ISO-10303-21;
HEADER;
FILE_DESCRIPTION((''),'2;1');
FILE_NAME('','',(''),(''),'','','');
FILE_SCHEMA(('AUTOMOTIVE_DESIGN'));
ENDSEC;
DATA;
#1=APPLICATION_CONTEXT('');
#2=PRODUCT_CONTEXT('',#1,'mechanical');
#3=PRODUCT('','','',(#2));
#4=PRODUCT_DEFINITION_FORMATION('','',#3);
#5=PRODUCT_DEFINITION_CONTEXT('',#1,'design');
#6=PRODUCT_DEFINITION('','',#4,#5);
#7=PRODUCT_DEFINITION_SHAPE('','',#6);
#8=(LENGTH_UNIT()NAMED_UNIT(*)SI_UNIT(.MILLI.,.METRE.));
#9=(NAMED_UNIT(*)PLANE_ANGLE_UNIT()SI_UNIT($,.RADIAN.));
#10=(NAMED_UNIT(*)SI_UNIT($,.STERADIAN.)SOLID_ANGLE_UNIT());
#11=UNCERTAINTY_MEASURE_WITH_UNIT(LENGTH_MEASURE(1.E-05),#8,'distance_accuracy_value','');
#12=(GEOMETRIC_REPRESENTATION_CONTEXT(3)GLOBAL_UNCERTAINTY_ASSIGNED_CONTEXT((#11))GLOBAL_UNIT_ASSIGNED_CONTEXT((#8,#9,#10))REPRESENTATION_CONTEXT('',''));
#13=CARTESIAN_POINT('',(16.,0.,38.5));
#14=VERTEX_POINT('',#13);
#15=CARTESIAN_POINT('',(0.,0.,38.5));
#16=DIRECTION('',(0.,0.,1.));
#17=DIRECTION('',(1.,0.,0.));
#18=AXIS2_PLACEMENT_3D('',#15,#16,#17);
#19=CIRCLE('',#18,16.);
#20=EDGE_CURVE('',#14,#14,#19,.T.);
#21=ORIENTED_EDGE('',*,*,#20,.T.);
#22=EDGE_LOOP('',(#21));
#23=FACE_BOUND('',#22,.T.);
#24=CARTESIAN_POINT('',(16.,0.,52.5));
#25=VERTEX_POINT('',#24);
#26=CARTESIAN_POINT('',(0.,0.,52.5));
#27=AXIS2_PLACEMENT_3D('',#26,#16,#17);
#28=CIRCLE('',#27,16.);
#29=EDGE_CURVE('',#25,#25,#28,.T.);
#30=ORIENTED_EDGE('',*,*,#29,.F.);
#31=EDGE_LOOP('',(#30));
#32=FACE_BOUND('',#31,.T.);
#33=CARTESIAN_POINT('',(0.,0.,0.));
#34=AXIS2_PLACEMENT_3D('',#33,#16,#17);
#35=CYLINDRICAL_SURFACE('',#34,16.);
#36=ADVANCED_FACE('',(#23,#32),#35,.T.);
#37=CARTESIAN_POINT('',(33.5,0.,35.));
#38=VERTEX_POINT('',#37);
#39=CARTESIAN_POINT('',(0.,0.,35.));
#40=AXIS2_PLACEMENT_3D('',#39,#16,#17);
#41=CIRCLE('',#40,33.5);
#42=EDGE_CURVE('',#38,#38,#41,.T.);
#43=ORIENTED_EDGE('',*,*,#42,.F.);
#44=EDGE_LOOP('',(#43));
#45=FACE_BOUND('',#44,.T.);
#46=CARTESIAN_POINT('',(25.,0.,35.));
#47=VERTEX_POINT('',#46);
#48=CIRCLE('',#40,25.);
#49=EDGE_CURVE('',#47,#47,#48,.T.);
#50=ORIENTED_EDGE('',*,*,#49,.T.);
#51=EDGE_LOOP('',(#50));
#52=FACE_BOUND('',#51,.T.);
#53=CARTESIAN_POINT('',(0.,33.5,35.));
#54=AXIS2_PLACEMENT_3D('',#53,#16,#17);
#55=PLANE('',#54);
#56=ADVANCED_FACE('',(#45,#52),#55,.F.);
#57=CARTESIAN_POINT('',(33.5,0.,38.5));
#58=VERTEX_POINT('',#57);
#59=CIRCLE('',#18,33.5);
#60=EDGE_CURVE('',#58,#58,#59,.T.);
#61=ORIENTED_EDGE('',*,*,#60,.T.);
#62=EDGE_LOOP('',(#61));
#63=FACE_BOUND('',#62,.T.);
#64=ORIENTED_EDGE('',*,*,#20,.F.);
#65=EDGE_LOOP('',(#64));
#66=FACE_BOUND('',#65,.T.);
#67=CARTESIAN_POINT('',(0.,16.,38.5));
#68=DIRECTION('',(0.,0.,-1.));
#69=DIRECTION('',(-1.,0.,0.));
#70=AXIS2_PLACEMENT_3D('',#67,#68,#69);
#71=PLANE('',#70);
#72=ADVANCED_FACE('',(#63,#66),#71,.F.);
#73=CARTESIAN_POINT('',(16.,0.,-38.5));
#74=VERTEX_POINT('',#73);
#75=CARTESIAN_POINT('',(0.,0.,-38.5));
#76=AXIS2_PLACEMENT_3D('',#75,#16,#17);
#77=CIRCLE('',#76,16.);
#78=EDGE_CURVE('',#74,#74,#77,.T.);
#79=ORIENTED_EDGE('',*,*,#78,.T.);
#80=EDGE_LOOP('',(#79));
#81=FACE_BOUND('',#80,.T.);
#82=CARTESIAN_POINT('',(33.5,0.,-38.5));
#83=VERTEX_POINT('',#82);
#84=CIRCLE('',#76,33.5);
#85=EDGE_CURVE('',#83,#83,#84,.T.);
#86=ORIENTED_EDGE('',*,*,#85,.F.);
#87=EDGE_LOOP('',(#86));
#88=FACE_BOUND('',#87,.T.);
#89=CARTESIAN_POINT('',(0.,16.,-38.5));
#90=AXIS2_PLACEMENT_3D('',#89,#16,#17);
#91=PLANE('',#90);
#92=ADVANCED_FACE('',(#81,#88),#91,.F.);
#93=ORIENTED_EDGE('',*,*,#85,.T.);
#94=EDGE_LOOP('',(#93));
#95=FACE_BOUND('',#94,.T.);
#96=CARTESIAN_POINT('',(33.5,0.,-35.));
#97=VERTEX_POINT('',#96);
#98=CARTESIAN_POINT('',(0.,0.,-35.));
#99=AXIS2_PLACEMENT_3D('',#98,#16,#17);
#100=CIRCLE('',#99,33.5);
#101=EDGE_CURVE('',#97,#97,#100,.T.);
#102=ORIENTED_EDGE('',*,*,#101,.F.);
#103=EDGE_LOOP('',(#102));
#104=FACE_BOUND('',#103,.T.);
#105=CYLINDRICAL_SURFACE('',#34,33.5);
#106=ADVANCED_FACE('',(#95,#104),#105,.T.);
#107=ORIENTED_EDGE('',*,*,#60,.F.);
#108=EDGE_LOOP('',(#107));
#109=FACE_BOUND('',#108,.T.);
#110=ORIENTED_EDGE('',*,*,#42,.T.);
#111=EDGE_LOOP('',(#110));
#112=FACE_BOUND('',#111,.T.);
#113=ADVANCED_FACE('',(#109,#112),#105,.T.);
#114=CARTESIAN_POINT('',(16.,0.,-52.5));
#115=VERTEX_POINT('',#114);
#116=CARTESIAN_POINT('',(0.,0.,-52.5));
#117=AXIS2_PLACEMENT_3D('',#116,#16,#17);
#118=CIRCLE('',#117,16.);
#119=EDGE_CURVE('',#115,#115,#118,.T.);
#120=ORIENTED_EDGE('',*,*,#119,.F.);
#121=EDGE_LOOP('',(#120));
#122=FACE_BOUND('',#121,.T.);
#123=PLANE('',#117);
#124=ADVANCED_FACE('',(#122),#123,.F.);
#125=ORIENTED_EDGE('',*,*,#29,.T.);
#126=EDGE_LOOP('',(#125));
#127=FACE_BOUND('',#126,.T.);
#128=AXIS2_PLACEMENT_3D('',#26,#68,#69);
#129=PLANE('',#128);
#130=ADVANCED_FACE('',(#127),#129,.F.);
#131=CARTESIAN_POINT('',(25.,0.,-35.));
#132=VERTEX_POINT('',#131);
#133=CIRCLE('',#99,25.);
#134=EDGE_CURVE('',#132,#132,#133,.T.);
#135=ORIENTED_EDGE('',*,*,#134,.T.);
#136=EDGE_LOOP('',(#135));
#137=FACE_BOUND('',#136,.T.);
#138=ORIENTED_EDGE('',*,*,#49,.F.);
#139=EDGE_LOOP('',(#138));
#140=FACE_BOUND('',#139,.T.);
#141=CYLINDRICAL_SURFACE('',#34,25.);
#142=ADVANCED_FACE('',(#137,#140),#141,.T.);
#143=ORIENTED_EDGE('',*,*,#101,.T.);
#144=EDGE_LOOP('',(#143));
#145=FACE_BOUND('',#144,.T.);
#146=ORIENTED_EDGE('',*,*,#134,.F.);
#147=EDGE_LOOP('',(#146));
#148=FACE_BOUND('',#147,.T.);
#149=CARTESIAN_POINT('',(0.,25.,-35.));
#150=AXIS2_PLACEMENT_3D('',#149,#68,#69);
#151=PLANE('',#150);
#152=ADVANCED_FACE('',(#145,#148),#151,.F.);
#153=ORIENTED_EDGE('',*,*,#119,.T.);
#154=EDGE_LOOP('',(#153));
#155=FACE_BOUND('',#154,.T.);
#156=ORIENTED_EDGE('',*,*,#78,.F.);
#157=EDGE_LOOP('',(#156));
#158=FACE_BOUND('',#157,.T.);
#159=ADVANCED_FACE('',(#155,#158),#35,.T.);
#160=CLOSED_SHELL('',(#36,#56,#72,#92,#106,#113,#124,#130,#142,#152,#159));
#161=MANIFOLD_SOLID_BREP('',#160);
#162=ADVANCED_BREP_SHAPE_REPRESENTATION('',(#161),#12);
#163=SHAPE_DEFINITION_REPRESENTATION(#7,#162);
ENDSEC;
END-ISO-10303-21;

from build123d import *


with BuildPart() as part:
    # Sketch1 → Revolve1 (revolve)
    with BuildSketch(Plane(origin=(0, 0, 0), x_dir=(0, 0, -1), z_dir=(1, 0, 0))):
        Polygon((-38.5, 0), (38.5, 0), (52.5, 0), (52.5, 16), (38.5, 16), (38.5, 33.5), (35, 33.5), (35, 25), (-35, 25), (-35, 33.5), (-38.5, 33.5), (-38.5, 16), (-52.5, 16), (-52.5, 0), align=None)
    revolve(axis=Axis((0, 0, 0), (0, 0, -1)))


solid = part.part
